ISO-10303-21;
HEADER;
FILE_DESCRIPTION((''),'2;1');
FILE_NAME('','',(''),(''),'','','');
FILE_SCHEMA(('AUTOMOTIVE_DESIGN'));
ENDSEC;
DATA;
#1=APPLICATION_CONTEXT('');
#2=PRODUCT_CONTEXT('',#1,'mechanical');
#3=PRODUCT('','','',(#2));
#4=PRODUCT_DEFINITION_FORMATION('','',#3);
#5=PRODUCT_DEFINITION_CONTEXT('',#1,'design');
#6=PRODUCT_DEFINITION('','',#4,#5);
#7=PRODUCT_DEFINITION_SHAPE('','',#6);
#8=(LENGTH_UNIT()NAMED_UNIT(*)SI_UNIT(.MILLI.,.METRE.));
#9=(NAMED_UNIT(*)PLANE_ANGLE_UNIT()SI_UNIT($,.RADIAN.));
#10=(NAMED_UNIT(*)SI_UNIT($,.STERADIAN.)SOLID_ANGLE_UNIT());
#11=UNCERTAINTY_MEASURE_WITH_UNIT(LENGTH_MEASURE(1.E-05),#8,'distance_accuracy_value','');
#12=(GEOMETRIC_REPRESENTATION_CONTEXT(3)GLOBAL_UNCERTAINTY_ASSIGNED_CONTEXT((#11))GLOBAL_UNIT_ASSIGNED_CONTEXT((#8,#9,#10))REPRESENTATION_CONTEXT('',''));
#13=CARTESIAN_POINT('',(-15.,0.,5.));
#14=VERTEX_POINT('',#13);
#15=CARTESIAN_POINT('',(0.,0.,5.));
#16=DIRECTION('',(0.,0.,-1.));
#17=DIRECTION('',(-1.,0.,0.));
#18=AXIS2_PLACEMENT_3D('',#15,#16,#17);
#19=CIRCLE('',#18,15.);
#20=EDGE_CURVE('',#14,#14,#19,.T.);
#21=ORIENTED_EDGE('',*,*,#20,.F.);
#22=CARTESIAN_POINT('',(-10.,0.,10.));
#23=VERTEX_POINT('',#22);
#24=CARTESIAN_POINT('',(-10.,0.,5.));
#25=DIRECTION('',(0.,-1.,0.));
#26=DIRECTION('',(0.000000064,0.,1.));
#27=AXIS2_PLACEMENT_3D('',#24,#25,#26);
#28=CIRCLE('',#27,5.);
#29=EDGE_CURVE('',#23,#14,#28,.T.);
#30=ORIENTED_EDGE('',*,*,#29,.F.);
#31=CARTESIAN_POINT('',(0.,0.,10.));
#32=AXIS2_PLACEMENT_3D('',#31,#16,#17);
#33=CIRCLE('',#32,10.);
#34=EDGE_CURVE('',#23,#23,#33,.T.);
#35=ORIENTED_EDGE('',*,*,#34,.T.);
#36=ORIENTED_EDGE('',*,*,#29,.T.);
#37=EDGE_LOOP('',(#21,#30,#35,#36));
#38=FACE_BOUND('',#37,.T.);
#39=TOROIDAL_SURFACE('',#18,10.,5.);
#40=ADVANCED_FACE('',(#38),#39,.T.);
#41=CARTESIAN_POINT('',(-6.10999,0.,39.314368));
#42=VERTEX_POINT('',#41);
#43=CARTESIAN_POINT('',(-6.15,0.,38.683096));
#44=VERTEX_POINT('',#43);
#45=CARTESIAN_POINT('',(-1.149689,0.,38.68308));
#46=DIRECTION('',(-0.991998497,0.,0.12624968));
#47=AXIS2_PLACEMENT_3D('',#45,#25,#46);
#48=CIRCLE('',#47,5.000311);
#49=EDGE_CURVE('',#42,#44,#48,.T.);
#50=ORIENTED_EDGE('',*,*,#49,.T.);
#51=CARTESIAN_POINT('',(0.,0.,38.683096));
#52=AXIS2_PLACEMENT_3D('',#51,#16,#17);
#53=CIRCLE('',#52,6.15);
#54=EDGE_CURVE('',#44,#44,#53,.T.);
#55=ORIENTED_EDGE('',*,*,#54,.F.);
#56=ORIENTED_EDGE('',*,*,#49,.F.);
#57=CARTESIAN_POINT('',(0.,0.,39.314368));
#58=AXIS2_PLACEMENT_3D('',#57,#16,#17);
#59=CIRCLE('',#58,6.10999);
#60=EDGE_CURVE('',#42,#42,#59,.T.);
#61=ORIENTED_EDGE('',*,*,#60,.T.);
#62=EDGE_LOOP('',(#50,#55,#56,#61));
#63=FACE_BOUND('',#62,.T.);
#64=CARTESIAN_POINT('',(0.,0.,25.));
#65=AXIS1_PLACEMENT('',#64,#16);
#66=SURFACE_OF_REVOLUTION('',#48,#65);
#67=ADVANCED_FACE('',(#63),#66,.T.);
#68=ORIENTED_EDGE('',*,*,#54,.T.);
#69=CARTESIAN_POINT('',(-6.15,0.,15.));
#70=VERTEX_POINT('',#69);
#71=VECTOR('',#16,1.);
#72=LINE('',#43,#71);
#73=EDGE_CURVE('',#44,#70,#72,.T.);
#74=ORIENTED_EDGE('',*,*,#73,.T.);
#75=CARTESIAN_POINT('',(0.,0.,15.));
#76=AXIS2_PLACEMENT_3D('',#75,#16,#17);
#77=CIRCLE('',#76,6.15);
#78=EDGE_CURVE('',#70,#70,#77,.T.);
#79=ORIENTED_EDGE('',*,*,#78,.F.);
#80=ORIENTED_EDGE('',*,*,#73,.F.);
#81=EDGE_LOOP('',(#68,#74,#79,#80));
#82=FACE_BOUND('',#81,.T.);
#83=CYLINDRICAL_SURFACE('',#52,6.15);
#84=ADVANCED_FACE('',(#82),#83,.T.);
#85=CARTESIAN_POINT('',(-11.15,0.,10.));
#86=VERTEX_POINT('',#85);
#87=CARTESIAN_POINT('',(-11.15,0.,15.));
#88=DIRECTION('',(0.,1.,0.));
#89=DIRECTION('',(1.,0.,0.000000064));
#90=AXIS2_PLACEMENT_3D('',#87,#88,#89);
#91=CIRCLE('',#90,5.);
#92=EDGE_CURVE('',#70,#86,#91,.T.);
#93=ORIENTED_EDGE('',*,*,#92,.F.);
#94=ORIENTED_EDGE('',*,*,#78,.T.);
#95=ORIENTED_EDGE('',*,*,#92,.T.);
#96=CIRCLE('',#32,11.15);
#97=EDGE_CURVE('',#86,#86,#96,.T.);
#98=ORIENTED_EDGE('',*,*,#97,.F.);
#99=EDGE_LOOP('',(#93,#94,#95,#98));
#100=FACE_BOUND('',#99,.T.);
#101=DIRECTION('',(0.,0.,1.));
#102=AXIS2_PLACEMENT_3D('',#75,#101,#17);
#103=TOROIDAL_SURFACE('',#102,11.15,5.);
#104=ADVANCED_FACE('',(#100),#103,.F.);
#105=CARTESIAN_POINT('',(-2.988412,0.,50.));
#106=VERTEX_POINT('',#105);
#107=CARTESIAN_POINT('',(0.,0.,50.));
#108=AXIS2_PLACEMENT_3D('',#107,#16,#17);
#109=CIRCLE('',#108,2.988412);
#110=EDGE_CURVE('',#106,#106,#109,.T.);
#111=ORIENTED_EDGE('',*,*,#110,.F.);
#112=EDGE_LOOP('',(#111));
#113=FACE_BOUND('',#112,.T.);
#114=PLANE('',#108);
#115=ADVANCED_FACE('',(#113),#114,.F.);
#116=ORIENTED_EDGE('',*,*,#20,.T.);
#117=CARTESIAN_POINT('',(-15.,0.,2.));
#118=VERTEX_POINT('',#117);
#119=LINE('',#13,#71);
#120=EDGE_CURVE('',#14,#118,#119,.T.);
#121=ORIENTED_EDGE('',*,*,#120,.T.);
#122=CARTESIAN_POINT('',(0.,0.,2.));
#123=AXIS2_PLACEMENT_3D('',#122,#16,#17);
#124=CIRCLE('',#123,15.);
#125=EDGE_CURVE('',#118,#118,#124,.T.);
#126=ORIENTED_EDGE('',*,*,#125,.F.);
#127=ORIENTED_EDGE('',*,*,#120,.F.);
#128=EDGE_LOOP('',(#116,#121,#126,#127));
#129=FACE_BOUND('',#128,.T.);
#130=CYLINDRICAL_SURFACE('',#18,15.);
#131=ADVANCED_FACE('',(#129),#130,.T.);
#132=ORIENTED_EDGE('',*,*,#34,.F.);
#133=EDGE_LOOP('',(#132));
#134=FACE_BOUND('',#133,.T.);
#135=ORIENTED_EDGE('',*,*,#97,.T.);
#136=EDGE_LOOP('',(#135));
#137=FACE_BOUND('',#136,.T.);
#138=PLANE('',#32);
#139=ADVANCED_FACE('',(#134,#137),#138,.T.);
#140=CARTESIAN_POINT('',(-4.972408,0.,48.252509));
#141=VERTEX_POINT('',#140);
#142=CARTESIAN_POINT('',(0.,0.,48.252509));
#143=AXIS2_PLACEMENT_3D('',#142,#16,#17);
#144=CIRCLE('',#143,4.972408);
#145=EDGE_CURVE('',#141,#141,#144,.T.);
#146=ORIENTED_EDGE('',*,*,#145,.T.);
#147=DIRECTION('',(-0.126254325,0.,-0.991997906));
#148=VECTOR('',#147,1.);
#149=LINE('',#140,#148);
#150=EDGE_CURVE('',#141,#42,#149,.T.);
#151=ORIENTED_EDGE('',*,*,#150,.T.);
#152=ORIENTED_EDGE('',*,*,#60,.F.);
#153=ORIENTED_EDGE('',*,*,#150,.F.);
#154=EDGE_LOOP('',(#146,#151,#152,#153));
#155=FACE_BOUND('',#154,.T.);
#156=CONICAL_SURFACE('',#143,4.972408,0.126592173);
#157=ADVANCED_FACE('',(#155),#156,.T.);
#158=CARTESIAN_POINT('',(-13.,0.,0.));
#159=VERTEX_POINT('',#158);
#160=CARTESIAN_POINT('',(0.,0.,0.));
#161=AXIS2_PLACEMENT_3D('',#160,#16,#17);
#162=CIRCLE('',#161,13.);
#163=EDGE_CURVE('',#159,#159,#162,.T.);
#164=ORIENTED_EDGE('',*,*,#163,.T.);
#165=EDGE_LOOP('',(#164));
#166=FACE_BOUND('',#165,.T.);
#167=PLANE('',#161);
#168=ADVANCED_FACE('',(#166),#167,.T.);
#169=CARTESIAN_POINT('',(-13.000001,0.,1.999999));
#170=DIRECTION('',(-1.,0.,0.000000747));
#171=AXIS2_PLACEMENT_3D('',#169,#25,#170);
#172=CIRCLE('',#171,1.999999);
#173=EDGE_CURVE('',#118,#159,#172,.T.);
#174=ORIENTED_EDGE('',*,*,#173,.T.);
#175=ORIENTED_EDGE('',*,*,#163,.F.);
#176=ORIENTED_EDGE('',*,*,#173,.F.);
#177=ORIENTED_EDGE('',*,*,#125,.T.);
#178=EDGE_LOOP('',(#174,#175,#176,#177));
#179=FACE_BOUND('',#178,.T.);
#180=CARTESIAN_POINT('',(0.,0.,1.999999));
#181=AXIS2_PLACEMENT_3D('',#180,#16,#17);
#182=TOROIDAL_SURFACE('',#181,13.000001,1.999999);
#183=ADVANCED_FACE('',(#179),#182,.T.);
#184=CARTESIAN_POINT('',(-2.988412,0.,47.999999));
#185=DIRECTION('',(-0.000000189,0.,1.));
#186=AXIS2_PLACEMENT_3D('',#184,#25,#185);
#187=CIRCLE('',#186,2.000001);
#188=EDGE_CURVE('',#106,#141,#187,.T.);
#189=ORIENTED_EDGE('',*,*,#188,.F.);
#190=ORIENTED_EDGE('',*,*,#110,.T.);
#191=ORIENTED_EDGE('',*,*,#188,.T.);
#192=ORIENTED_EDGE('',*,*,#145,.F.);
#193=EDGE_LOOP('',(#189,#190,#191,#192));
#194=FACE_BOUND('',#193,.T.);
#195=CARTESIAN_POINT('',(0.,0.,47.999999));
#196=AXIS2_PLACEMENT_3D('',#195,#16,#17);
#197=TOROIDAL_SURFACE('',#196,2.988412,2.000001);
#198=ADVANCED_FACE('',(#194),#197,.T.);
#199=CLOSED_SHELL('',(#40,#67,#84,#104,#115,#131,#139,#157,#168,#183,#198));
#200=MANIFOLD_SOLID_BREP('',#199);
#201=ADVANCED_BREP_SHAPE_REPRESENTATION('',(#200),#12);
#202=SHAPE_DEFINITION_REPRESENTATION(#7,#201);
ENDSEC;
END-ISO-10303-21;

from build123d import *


with BuildPart() as f1:
    # F0 (on Front) → F1 (revolve)
    with BuildSketch(Plane.XZ):
        with BuildLine():
            Line((0, 0), (0, 50))
            Line((0, 50), (-2.988412, 50))
            ThreePointArc((-2.988412, 50), (-4.310339, 49.500836), (-4.972408, 48.252509))
            Line((-4.972408, 48.252509), (-6.10999, 39.314368))
            ThreePointArc((-6.10999, 39.314368), (-6.139987, 38.999365), (-6.15, 38.683096))
            Line((-6.15, 38.683096), (-6.15, 15))
            ThreePointArc((-6.15, 15), (-7.614466, 11.464466), (-11.15, 10))
            Line((-11.15, 10), (-10, 10))
            ThreePointArc((-10, 10), (-13.535534, 8.535534), (-15, 5))
            Line((-15, 5), (-15, 2))
            ThreePointArc((-15, 2), (-14.414214, 0.585786), (-13, 0))
            Line((-13, 0), (0, 0))
        make_face()
    revolve(axis=Axis((0, 0, 25), (0, 0, -1)))


solid = f1.part
